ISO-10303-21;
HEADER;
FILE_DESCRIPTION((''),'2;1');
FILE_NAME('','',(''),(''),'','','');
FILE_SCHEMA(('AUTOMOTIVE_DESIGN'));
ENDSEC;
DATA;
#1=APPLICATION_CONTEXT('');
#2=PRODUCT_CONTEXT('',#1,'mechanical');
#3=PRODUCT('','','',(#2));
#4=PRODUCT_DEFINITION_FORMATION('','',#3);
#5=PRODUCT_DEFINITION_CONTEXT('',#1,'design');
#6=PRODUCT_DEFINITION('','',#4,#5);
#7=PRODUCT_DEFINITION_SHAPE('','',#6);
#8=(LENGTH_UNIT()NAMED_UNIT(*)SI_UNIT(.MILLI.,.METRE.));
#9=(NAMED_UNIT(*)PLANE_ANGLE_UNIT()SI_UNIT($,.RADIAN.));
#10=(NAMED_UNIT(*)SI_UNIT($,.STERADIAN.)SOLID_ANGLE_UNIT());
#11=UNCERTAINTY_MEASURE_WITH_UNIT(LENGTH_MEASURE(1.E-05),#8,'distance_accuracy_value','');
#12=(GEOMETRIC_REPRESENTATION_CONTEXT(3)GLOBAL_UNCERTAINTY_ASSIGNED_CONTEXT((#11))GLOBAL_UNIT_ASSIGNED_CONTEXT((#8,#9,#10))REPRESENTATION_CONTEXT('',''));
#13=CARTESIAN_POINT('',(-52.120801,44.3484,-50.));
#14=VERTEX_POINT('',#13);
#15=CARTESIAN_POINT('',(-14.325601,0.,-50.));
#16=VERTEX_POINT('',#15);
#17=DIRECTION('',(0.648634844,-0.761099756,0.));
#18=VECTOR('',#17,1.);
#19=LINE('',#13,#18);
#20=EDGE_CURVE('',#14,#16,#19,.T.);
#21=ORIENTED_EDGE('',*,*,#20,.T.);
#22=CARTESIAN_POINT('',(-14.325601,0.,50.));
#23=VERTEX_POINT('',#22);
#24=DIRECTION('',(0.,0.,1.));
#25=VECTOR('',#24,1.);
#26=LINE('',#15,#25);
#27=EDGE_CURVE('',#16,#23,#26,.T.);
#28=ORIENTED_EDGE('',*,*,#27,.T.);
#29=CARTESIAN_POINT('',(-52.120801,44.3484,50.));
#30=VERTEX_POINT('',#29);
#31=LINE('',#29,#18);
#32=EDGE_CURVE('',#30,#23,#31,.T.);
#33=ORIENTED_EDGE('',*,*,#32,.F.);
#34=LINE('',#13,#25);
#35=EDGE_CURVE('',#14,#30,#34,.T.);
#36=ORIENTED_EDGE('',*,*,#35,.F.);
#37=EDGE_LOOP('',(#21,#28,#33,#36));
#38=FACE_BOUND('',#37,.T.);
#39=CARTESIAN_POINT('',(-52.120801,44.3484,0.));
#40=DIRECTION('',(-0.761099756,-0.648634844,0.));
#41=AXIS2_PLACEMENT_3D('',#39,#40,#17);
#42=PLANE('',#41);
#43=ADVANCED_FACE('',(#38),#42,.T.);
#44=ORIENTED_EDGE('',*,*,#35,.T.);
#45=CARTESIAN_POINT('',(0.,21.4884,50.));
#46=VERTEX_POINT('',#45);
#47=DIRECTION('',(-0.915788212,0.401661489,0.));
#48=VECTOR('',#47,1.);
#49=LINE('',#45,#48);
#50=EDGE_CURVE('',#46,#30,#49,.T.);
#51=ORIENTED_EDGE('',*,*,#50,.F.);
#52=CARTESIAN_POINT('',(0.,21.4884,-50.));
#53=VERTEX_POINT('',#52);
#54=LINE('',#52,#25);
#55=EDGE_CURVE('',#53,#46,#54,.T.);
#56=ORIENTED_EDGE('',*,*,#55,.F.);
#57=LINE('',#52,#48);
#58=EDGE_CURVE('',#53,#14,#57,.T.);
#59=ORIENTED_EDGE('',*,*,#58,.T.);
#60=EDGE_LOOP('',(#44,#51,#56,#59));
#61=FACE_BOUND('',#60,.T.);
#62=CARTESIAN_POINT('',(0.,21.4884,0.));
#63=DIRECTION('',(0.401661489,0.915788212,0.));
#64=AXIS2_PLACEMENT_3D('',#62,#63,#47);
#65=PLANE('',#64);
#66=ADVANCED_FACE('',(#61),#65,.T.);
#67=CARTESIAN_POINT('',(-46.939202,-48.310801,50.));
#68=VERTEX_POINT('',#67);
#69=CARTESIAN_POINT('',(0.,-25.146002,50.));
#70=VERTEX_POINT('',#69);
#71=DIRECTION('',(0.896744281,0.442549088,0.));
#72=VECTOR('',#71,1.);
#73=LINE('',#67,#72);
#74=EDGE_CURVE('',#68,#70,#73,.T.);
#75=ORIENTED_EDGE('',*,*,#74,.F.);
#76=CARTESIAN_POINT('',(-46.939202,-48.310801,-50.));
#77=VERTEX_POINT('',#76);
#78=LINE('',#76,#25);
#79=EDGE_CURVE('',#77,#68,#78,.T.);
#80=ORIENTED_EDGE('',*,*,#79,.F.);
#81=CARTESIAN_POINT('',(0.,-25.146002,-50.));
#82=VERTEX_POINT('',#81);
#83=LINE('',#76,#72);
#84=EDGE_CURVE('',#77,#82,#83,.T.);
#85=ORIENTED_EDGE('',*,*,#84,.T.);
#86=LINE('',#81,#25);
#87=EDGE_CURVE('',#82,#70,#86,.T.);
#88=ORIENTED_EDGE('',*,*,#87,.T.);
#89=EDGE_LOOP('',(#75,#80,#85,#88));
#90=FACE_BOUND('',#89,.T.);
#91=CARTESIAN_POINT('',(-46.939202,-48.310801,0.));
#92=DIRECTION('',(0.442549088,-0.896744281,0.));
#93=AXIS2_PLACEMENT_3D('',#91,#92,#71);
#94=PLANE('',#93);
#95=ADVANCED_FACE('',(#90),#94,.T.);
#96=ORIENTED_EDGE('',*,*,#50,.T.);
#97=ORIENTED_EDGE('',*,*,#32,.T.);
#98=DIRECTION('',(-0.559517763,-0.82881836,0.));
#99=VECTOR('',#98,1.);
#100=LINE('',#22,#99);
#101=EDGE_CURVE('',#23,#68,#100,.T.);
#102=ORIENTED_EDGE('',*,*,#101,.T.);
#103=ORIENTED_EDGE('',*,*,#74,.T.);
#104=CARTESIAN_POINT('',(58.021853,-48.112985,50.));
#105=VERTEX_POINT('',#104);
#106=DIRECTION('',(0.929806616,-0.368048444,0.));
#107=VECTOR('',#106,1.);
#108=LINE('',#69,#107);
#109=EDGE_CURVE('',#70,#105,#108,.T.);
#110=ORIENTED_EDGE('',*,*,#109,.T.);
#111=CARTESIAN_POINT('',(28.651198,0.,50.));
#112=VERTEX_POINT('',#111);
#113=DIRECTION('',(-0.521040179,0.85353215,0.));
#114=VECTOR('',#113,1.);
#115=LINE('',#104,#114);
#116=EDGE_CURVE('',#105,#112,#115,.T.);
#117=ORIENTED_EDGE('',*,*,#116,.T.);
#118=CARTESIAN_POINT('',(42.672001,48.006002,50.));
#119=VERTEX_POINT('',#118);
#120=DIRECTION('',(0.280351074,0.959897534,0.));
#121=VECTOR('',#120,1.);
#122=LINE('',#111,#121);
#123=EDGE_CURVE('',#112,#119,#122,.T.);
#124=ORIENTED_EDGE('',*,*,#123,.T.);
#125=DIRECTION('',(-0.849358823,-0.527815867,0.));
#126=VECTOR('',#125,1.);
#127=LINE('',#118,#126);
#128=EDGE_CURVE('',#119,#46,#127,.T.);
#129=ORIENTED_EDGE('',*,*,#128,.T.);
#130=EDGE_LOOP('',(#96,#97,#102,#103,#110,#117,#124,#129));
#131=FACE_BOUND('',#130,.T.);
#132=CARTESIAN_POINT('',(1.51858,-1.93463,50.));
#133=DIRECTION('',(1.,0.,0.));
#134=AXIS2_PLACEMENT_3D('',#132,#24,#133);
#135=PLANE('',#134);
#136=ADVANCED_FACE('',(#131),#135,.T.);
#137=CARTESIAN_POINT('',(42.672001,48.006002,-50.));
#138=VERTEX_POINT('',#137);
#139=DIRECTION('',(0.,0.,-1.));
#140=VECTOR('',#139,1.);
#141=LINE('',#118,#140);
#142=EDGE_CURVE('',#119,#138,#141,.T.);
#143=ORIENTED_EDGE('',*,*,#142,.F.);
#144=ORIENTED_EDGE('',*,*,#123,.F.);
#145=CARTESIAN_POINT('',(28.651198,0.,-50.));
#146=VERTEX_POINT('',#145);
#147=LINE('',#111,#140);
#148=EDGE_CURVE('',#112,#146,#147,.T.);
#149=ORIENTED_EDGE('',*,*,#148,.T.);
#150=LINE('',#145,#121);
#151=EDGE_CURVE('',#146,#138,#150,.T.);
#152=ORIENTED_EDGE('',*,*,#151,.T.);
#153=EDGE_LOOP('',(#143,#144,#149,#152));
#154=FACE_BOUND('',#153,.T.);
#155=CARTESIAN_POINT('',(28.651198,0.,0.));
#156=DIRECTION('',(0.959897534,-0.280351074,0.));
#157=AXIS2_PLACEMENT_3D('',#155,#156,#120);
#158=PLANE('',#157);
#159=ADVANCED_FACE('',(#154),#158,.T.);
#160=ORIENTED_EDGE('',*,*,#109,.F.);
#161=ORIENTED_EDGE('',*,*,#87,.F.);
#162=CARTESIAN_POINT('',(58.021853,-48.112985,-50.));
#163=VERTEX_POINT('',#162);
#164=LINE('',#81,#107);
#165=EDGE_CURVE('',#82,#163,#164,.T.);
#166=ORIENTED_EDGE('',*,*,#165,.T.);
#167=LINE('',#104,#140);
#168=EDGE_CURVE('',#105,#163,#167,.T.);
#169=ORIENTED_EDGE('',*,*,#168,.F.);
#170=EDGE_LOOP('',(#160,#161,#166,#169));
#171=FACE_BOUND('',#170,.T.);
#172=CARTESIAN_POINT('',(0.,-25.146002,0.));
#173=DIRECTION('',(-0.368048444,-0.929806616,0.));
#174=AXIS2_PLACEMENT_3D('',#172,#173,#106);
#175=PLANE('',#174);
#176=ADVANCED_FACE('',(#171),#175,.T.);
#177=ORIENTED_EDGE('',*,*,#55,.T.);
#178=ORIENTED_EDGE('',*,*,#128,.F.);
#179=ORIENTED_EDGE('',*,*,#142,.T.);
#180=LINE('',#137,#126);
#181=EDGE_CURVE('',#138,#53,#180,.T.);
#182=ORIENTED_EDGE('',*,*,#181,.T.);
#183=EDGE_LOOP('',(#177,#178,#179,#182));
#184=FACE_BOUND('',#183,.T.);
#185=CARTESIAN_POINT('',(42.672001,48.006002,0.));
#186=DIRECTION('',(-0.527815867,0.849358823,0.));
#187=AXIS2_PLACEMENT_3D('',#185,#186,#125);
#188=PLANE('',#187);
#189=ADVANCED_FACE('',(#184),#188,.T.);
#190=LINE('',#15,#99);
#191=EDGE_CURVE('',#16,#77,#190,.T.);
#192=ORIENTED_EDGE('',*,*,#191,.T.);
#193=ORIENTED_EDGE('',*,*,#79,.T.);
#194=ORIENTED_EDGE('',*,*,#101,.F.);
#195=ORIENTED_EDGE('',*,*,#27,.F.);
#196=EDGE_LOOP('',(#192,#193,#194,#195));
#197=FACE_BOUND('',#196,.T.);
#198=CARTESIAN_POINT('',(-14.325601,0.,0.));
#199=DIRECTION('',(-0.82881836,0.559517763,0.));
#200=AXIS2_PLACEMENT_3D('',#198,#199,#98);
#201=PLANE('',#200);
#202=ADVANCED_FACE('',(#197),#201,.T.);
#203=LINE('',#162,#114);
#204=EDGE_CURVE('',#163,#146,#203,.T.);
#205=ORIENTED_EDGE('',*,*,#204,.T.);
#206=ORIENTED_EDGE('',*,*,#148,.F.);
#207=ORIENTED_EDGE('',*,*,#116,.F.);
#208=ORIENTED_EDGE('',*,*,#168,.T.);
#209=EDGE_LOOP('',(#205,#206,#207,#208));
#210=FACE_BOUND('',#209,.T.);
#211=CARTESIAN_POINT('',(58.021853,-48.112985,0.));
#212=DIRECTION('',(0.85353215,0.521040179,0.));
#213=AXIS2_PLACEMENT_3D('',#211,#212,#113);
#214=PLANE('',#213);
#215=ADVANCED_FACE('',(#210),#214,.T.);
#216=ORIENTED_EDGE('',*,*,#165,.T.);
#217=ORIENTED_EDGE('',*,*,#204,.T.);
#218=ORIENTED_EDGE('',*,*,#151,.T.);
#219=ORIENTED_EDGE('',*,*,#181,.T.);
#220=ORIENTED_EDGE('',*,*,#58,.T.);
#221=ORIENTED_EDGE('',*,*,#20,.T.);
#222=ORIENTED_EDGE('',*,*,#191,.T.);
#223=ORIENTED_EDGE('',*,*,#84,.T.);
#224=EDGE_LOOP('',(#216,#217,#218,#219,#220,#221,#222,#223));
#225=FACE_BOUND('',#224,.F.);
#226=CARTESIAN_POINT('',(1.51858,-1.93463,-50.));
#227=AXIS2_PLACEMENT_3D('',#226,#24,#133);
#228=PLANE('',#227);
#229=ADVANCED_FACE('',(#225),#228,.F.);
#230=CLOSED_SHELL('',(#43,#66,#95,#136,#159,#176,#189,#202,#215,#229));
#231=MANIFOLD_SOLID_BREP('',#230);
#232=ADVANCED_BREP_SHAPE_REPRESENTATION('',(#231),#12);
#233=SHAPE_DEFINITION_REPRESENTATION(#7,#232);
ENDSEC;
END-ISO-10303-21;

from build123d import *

# Parameters (mm, degrees)
F1_DEPTH = 50


with BuildPart() as f1:
    # F0 (on Top) → F1 (new body, symmetric)
    with BuildSketch(Plane.XY):
        Polygon((42.672001, 48.006002), (0, 21.4884), (-52.120801, 44.3484), (-14.325601, 0), (-46.939202, -48.310801), (0, -25.146002), (58.021853, -48.112985), (28.651198, 0), align=None)
    extrude(amount=F1_DEPTH, both=True)


solid = f1.part
